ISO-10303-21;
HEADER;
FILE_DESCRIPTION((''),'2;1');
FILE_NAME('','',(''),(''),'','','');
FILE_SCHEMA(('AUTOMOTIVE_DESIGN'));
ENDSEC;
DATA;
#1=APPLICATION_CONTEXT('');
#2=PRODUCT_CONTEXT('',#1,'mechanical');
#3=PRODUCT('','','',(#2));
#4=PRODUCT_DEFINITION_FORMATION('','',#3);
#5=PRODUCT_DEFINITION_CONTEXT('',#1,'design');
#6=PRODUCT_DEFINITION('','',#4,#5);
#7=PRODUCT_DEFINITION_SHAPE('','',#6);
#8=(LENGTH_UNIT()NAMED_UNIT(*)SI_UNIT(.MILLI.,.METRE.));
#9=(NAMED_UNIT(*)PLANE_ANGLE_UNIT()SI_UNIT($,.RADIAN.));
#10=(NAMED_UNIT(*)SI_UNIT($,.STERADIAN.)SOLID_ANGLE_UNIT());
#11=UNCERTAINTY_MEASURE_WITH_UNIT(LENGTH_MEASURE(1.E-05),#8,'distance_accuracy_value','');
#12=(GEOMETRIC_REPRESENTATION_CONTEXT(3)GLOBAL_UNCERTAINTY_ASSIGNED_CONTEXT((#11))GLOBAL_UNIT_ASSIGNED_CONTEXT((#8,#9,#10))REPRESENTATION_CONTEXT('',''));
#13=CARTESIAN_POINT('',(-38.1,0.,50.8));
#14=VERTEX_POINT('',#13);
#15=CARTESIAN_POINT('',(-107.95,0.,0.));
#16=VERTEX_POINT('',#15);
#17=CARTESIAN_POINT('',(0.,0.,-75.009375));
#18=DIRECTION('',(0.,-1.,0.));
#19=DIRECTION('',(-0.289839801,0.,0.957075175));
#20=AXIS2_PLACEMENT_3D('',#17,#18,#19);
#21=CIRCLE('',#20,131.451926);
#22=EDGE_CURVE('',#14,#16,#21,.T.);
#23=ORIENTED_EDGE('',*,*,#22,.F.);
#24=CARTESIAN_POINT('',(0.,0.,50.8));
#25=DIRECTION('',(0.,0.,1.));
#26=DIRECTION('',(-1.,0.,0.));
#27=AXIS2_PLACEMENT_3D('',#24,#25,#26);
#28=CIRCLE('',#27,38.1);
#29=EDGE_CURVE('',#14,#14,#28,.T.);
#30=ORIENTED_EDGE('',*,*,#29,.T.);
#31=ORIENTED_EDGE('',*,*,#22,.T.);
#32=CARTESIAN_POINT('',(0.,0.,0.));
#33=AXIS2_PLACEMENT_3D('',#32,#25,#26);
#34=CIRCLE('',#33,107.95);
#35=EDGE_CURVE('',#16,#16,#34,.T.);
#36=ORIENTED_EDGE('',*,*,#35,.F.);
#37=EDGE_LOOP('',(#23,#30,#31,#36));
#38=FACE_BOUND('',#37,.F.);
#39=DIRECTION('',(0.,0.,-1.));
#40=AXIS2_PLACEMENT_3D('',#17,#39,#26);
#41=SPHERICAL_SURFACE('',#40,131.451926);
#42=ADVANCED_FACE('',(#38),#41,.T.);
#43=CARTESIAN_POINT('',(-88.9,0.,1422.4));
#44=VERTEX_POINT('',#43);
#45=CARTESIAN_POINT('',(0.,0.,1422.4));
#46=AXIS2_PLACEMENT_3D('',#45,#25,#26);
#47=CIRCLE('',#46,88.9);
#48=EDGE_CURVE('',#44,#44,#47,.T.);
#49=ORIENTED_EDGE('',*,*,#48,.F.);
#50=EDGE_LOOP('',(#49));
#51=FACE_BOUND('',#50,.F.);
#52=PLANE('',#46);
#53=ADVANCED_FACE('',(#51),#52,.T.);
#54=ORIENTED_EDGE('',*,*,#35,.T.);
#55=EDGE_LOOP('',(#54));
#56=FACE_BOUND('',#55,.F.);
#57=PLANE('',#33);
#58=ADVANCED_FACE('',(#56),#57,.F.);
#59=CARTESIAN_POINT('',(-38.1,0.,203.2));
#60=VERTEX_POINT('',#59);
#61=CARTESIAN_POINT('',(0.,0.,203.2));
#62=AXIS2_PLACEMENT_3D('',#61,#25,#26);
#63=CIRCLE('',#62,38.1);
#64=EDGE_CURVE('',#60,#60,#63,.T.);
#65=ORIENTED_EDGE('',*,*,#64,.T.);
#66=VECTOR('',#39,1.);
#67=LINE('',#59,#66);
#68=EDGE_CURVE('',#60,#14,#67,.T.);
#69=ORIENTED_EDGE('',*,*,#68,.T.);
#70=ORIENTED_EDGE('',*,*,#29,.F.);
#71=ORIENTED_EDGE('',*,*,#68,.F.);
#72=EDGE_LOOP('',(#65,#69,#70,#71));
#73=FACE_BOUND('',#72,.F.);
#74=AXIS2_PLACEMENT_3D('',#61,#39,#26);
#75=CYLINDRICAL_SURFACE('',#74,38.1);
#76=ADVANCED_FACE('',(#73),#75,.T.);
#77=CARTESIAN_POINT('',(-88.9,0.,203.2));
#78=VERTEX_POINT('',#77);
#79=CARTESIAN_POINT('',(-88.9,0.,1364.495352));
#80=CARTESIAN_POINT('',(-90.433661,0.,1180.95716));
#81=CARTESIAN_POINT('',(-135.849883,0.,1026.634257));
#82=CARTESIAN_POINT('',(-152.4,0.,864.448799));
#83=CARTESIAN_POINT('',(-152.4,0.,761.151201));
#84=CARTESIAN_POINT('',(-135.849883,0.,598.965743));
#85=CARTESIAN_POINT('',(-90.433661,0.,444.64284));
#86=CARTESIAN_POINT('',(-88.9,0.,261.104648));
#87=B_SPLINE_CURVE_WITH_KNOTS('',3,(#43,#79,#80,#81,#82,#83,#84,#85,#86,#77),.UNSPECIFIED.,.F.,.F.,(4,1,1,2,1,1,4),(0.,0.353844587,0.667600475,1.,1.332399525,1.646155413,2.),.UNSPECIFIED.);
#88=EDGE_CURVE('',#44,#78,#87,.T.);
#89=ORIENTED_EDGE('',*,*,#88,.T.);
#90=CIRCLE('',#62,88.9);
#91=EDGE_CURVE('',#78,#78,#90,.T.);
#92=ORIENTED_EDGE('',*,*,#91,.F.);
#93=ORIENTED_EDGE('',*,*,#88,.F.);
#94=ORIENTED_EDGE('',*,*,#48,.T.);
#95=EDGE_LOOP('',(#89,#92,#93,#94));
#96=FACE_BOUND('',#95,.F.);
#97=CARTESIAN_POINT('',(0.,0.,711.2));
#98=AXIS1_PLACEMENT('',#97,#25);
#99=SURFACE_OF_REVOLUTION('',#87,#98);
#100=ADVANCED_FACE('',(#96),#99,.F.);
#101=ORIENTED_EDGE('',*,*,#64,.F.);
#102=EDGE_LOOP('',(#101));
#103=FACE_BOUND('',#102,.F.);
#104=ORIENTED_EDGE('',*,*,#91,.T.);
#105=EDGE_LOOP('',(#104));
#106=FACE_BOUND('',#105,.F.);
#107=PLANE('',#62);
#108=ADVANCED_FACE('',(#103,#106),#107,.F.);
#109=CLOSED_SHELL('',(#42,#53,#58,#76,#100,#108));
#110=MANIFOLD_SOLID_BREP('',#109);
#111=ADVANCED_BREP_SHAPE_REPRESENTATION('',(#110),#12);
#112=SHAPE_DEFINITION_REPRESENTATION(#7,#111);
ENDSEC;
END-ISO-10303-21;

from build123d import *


with BuildPart() as f1:
    # F0 (on Front) → F1 (revolve)
    with BuildSketch(Plane.XZ):
        with BuildLine():
            Line((-152.4, 812.8), (0, 812.8))
            Line((0, 812.8), (0, 1422.4))
            Line((0, 1422.4), (-88.9, 1422.4))
            add(Edge.make_bspline(
                [(-88.9, 1422.4), (-88.9, 1364.4953521068), (-90.4336608481, 1180.9571604387), (-135.8498830963, 1026.6342567588), (-152.4, 864.4487990994), (-152.4, 812.8)],
                knots=[0, 0, 0, 0, 0.3538445866, 0.6676004749, 1, 1, 1, 1], degree=3))
        make_face()
        with BuildLine():
            Line((-38.1, 0), (0, 0))
            Line((0, 0), (0, 812.8))
            Line((0, 812.8), (-152.4, 812.8))
            add(Edge.make_bspline(
                [(-88.9, 203.2), (-88.9, 261.1046478932), (-90.4336608481, 444.6428395613), (-135.8498830963, 598.9657432412), (-152.4, 761.1512009006), (-152.4, 812.8)],
                knots=[0, 0, 0, 0, 0.3538445866, 0.6676004749, 1, 1, 1, 1], degree=3))
            Line((-88.9, 203.2), (-38.1, 203.2))
            Line((-38.1, 203.2), (-38.1, 50.8))
            Line((-38.1, 50.8), (-38.1, 0))
        make_face()
        with BuildLine():
            Line((-107.95, 0), (-38.1, 0))
            Line((-38.1, 0), (-38.1, 50.8))
            ThreePointArc((-38.1, 50.8), (-77.316302453, 31.3005408728), (-107.95, 0))
        make_face()
    revolve(axis=Axis((0, 0, 711.2), (0, 0, 1)))


solid = f1.part
